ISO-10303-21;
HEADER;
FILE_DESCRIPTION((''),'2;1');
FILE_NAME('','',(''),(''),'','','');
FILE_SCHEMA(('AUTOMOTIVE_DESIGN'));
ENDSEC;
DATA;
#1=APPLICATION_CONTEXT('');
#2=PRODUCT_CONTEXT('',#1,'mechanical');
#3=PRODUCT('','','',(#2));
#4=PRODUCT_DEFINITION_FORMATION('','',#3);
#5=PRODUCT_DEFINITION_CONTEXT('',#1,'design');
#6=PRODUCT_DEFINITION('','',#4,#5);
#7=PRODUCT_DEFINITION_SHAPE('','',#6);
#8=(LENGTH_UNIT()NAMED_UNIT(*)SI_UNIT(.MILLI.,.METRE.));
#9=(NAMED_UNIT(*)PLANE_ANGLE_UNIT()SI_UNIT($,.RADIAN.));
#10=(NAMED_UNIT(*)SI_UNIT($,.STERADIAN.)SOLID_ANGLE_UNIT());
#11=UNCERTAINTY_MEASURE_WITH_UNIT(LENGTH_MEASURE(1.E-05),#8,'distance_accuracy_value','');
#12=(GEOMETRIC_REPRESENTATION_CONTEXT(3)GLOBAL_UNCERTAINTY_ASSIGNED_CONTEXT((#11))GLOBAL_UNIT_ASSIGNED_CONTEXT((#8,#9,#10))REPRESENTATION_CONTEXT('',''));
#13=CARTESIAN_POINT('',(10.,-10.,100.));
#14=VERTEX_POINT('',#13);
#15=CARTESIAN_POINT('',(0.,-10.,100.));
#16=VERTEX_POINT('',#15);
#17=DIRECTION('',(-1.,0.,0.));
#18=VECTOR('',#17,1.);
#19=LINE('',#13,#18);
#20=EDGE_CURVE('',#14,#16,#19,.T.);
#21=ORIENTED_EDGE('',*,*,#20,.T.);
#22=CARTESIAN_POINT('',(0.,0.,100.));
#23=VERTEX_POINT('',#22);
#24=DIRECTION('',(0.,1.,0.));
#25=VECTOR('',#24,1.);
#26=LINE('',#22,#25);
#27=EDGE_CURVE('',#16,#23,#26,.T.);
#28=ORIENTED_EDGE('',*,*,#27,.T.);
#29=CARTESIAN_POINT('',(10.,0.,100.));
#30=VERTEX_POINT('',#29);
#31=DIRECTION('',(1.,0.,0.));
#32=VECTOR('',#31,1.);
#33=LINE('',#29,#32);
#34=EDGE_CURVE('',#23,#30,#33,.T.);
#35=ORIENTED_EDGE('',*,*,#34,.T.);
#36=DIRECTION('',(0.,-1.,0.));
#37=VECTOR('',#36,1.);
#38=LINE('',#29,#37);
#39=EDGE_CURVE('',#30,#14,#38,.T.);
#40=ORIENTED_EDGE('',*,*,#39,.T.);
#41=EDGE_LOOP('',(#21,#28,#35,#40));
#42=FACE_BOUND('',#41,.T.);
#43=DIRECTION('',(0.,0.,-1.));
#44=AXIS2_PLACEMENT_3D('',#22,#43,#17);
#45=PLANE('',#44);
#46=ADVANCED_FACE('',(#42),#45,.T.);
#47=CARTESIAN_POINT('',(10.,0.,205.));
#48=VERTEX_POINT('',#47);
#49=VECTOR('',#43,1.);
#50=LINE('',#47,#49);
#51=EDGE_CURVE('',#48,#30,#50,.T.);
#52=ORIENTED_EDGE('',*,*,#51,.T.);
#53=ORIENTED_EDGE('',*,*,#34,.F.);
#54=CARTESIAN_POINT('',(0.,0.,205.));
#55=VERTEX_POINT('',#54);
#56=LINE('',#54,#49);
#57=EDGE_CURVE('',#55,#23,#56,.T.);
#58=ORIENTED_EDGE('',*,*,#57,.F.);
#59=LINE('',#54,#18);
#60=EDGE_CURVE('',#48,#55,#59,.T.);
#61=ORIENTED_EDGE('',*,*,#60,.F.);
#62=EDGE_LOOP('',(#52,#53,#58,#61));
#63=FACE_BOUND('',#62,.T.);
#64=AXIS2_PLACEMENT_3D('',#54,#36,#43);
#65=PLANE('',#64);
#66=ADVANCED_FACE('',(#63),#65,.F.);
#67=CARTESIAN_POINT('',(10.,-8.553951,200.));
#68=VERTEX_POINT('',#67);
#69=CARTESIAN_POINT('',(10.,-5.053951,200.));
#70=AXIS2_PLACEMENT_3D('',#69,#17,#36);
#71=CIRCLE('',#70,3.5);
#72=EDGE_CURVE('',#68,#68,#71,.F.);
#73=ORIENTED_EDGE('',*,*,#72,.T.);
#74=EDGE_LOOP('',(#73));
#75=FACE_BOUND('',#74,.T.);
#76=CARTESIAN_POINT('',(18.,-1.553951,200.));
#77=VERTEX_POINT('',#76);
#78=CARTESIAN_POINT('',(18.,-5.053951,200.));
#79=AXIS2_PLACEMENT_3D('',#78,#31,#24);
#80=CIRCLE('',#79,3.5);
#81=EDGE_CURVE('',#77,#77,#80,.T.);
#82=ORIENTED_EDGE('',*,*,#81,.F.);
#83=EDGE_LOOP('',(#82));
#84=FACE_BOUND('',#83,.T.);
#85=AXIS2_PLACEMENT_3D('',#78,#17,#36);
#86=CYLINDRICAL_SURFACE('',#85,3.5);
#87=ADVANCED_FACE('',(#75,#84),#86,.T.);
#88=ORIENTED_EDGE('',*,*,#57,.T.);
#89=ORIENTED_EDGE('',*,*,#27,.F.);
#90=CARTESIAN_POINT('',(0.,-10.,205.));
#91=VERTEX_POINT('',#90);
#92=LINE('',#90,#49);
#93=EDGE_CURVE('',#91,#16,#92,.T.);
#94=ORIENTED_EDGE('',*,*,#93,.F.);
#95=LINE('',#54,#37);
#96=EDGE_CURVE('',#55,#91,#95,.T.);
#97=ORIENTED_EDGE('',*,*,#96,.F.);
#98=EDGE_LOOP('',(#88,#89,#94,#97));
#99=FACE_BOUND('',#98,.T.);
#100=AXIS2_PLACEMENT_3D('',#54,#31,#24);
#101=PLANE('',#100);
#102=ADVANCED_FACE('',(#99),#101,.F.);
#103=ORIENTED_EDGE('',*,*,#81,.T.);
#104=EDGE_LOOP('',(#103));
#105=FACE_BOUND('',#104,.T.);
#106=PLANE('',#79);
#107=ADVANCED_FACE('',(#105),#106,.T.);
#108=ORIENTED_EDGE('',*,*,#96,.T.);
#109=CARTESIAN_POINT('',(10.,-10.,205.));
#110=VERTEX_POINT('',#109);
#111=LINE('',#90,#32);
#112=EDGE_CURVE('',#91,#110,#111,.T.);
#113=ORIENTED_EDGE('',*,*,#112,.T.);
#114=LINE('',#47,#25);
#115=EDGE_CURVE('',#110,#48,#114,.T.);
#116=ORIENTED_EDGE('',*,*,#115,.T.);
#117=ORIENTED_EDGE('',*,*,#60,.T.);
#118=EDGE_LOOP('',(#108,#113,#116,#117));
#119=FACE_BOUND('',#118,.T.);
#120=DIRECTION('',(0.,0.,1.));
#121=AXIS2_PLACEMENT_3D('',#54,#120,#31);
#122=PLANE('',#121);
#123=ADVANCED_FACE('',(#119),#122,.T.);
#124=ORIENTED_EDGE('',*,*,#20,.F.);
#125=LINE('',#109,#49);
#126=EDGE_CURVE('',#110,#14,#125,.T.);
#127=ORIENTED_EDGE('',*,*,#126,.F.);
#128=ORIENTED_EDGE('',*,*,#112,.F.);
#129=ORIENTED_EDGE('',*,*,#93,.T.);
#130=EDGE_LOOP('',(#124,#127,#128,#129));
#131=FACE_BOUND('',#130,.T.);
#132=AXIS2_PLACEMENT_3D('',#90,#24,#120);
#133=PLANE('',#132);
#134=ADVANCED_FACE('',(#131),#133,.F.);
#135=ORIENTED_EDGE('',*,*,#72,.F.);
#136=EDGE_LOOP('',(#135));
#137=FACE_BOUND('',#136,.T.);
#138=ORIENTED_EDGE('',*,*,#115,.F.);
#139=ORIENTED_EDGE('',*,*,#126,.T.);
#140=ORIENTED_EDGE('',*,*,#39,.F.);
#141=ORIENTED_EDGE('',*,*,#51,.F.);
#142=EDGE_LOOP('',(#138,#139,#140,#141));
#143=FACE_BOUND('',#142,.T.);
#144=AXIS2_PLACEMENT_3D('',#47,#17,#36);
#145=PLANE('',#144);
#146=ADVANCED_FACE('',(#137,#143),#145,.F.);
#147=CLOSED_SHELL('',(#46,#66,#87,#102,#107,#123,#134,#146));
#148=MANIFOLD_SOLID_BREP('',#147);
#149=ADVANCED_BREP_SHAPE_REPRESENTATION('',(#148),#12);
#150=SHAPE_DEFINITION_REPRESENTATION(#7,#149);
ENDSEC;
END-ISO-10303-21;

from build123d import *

# Parameters (mm, degrees)
SKETCH1_W           = 10
SKETCH1_H           = 10
BOSS_EXTRUDE1_DEPTH = 205
SKETCH2_R           = 3.5
BOSS_EXTRUDE2_DEPTH = 8
SKETCH4_W           = 10
SKETCH4_H           = 10
CUT_EXTRUDE1_DEPTH  = 100


with BuildPart() as part:
    # Sketch1 → Boss-Extrude1 (new body)
    with BuildSketch(Plane.XY):
        with Locations((5, -5)):
            Rectangle(SKETCH1_W, SKETCH1_H)
    extrude(amount=BOSS_EXTRUDE1_DEPTH)

    # Sketch2 → Boss-Extrude2 (add)
    with BuildSketch(Plane(origin=(10, 0, 0), x_dir=(0, 0, -1), z_dir=(1, 0, 0))):
        with Locations((-200, -5.053950804)):
            Circle(SKETCH2_R)
    extrude(amount=BOSS_EXTRUDE2_DEPTH)

    # Sketch4 → Cut-Extrude1 (cut)
    with BuildSketch(Plane(origin=(0, 0, 0), x_dir=(-1, 0, 0), z_dir=(0, 0, -1))):
        with Locations((-5, -5)):
            Rectangle(SKETCH4_W, SKETCH4_H)
    extrude(amount=-CUT_EXTRUDE1_DEPTH, mode=Mode.SUBTRACT)


solid = part.part
